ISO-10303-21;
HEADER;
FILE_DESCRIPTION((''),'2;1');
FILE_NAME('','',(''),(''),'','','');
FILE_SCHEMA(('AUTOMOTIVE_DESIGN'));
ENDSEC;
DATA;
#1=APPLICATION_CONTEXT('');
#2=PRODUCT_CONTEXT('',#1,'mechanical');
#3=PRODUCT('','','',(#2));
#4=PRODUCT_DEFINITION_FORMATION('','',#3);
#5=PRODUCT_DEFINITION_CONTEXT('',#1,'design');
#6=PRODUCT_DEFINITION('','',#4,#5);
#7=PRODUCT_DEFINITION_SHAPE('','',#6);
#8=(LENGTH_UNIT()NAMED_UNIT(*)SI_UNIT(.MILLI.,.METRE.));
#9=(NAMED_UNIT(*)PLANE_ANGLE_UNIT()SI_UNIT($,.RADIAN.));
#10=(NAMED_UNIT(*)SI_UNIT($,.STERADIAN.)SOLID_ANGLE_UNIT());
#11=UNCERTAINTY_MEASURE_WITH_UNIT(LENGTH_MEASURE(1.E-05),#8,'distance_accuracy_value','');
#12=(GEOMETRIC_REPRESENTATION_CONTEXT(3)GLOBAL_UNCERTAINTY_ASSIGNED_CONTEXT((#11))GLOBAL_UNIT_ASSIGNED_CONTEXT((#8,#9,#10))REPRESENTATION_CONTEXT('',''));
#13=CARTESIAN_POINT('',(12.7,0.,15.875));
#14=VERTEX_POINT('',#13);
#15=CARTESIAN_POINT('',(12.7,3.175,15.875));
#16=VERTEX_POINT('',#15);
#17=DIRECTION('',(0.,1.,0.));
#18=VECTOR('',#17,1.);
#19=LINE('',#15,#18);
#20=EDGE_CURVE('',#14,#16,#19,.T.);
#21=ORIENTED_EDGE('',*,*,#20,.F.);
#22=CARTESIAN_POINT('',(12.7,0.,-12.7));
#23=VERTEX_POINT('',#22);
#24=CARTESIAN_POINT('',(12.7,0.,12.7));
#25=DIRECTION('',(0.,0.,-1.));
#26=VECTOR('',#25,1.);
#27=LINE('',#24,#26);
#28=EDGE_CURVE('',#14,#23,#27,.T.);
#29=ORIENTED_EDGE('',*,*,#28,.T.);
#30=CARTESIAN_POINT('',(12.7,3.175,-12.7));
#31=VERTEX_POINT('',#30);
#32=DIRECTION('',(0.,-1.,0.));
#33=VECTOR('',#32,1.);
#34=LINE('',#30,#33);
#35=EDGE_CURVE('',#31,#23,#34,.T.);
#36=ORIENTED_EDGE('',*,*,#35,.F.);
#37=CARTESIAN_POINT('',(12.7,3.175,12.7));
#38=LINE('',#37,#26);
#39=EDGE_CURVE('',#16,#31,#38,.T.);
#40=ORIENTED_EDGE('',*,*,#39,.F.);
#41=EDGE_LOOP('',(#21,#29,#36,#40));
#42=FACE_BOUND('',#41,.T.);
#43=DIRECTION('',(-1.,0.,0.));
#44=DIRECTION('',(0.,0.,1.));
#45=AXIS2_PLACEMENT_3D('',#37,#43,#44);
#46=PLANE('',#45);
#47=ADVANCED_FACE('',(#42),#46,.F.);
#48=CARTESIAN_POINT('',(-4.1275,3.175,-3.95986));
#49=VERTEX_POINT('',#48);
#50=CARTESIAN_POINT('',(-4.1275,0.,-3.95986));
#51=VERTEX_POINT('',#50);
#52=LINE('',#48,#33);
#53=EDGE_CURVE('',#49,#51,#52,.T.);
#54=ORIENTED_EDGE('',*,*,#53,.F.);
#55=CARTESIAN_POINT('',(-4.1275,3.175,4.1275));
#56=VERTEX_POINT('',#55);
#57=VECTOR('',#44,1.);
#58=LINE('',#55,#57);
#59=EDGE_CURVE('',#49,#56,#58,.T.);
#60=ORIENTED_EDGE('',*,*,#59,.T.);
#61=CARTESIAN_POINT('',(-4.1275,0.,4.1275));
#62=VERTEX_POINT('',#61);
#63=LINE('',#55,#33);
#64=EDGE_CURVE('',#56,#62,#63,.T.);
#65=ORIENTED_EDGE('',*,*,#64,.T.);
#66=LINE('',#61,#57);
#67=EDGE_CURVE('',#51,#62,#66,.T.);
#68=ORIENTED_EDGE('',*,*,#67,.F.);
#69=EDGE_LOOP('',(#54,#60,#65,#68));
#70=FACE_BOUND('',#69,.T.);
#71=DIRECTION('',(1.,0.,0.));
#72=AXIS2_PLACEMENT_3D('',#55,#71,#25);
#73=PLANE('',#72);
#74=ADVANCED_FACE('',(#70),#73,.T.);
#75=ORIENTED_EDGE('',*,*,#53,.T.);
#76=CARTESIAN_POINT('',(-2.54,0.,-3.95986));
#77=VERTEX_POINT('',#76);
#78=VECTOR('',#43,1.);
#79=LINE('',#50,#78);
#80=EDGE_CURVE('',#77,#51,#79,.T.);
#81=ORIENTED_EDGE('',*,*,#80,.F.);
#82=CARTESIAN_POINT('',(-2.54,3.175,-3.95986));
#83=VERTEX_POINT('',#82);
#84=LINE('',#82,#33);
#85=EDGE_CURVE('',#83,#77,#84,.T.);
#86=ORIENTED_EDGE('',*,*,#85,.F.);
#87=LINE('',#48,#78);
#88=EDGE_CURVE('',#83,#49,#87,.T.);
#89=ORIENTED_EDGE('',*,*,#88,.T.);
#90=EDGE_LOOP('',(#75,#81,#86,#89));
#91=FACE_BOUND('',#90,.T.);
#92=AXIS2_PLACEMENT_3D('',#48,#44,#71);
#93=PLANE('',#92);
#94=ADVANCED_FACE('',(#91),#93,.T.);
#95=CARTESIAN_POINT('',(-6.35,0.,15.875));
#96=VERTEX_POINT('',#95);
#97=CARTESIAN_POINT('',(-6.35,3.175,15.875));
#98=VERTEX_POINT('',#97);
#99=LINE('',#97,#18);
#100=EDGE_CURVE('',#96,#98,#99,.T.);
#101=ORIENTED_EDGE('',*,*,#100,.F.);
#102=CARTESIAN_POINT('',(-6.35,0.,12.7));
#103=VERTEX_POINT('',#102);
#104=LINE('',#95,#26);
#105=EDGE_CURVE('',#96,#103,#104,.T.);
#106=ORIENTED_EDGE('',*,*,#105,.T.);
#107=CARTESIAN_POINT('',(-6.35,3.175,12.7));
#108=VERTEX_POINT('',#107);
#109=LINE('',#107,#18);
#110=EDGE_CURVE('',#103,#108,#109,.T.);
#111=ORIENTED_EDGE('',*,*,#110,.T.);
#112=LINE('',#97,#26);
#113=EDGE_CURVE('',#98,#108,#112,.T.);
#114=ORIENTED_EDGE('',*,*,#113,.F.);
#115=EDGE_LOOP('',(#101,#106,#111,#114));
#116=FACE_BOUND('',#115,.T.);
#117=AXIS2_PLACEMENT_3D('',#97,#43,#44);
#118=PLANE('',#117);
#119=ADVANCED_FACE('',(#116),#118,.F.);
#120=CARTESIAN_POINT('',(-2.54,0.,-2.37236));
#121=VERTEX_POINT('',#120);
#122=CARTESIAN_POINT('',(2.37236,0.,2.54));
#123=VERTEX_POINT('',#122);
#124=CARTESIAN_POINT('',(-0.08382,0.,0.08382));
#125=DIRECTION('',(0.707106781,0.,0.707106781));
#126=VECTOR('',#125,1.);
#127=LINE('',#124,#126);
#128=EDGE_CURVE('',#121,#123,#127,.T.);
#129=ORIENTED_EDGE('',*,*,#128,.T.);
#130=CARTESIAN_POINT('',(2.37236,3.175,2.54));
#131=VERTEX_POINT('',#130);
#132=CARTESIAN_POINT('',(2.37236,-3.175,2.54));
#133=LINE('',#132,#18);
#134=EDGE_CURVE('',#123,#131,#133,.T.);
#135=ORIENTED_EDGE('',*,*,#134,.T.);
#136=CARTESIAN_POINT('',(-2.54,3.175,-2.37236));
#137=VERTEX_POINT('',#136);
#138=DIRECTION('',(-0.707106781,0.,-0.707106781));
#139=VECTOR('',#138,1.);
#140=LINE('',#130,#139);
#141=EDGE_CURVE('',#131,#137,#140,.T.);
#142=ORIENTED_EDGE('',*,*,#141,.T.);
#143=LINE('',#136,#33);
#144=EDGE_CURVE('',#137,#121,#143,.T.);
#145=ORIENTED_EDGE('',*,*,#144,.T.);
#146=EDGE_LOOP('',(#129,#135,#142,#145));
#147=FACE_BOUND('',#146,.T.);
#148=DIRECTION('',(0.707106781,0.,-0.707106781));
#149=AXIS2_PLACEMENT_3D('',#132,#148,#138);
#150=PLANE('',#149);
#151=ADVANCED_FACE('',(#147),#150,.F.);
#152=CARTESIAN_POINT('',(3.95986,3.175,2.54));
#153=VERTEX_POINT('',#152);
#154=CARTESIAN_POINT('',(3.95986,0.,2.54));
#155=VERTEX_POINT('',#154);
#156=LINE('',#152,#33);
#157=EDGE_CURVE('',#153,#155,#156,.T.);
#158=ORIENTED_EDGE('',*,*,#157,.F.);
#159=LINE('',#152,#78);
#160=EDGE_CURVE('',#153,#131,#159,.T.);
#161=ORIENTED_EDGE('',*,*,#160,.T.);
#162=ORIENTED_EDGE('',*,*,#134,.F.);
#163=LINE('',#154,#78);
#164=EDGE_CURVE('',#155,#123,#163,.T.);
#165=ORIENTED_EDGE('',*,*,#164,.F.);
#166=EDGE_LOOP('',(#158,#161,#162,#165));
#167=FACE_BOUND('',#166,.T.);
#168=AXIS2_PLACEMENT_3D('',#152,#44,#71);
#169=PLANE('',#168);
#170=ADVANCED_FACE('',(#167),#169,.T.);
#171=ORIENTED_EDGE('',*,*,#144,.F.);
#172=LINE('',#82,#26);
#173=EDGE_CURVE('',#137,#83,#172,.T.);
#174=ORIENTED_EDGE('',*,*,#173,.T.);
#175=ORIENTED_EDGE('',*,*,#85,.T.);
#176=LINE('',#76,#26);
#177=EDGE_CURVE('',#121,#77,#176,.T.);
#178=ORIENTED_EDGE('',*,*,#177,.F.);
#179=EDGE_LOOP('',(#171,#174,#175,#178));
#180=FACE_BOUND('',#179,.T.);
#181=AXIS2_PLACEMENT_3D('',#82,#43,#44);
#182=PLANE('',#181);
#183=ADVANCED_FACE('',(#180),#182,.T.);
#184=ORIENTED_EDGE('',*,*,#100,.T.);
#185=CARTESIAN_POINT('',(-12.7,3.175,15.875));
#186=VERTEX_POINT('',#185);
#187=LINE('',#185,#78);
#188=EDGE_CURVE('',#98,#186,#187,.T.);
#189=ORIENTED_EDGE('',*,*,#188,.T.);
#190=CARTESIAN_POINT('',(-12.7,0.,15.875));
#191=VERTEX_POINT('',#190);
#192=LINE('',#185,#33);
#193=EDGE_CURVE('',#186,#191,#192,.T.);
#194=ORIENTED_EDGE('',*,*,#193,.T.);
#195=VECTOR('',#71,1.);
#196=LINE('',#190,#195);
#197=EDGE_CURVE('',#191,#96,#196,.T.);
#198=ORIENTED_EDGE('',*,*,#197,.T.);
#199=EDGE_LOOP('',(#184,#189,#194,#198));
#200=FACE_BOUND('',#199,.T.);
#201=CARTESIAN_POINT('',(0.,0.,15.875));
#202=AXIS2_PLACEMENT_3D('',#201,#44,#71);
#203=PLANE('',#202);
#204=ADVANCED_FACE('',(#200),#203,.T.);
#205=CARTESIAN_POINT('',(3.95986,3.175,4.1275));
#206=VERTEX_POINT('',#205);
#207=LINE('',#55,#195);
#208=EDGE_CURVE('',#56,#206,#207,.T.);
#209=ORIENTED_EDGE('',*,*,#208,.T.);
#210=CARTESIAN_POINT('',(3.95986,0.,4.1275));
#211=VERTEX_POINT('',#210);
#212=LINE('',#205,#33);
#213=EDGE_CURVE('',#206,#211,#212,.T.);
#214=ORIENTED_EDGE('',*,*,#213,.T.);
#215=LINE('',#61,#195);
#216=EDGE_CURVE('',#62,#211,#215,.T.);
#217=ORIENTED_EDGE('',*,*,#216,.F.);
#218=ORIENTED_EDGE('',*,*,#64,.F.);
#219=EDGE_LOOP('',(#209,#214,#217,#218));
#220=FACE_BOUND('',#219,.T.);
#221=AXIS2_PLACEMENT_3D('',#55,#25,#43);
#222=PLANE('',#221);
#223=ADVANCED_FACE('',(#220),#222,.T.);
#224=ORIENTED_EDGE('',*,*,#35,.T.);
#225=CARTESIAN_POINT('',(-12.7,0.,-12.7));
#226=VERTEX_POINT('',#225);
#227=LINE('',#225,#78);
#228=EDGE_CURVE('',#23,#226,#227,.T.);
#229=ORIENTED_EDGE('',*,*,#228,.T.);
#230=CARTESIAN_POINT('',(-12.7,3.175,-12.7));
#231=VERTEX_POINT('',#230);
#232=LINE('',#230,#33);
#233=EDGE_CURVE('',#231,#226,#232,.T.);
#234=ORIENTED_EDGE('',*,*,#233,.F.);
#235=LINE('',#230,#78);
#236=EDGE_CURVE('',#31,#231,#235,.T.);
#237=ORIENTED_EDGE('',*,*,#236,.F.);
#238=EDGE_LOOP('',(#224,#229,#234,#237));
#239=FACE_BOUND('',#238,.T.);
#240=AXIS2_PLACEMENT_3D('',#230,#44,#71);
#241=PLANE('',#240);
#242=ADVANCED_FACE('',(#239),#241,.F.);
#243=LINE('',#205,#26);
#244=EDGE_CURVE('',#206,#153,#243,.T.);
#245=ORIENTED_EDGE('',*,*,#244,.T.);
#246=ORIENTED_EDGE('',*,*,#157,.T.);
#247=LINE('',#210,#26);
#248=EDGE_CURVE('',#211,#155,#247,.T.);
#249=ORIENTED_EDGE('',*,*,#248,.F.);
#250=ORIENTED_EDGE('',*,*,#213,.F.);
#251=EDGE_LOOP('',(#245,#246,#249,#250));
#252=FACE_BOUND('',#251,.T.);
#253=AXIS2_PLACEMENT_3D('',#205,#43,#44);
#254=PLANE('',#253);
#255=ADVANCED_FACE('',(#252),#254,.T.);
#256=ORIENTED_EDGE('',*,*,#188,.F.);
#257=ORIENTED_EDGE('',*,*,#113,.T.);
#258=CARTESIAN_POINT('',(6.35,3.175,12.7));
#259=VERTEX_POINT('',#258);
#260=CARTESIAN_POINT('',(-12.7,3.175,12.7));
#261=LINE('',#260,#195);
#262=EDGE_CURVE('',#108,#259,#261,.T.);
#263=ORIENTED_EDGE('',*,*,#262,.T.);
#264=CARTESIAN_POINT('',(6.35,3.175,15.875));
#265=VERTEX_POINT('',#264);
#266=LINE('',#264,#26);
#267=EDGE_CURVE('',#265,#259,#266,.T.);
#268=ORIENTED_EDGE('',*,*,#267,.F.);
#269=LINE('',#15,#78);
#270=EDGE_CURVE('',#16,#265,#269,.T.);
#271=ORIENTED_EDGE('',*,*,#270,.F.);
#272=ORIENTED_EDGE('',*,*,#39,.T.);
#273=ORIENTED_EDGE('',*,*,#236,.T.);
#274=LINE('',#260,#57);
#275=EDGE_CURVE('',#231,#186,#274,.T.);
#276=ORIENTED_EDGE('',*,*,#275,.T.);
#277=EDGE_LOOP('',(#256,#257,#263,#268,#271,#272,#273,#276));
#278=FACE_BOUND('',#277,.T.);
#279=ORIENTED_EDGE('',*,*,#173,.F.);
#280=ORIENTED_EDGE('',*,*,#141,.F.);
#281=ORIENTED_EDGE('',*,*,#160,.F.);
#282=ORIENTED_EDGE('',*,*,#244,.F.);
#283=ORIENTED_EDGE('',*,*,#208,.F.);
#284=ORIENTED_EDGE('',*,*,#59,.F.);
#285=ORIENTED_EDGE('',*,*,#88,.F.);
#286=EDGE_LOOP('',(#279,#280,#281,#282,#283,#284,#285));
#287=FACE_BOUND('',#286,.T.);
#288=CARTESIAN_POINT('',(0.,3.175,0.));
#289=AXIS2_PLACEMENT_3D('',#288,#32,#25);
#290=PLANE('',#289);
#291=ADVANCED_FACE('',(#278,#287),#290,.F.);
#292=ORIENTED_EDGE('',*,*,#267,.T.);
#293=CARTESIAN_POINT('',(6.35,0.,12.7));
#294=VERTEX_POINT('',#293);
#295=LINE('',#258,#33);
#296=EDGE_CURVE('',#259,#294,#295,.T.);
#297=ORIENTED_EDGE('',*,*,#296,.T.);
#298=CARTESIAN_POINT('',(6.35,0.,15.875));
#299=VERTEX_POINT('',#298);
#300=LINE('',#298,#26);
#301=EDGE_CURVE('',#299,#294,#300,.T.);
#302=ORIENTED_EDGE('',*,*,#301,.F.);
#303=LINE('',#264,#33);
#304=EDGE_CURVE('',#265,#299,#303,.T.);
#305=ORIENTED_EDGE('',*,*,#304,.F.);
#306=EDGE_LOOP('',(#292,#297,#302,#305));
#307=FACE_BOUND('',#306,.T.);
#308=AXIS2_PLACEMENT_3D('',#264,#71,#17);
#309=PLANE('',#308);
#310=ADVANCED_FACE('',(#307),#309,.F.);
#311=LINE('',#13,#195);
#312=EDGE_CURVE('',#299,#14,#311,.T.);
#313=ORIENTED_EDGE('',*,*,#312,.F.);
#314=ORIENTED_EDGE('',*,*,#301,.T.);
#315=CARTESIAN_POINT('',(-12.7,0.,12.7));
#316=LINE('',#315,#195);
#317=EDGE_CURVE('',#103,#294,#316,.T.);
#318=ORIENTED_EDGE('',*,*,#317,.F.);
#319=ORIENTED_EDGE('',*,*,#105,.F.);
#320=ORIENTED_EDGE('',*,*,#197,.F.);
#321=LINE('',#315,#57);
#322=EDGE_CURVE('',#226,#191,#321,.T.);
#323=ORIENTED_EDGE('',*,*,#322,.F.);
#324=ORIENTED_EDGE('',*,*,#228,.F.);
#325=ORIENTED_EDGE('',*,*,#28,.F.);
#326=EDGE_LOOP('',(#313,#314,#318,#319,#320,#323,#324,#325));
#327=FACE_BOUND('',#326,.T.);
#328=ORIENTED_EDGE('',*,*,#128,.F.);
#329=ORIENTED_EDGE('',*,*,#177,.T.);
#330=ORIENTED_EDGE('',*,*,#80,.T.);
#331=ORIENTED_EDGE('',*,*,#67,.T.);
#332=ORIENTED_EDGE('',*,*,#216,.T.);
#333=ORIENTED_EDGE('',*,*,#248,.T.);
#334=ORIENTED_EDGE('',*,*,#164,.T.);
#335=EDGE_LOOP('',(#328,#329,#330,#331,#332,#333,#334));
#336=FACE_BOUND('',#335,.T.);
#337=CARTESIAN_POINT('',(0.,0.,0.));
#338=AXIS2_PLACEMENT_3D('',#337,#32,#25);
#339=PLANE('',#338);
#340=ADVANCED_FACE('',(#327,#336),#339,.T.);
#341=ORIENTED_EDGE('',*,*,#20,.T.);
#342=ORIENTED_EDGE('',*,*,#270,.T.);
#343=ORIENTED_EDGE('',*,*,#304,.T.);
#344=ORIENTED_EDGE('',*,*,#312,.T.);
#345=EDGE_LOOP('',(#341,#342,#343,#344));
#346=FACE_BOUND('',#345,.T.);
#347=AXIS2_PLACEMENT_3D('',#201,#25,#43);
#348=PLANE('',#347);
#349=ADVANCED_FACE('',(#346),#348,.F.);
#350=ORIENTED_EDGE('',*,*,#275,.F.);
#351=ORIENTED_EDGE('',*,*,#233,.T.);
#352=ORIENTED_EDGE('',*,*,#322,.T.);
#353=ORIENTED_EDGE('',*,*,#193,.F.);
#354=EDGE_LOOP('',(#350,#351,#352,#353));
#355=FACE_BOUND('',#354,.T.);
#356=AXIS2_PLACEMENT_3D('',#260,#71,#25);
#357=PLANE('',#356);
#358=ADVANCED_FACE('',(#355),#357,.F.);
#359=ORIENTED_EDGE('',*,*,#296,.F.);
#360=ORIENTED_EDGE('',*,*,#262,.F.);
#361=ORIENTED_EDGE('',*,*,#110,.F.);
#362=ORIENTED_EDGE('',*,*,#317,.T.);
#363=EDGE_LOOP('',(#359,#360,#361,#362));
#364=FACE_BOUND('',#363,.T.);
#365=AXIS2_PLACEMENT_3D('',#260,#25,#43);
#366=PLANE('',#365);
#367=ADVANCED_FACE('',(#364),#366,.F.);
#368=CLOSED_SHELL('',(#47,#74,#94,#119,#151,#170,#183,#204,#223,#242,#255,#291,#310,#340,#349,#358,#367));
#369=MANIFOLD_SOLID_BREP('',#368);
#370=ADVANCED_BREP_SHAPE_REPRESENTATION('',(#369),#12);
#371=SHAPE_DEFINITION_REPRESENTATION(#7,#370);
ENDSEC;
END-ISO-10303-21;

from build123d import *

# Parameters (mm, degrees)
SKETCH1_W           = 25.4
SKETCH1_H           = 25.4
BOSS_EXTRUDE1_DEPTH = 3.175
SKETCH2_W           = 6.35
SKETCH2_H           = 3.175
BOSS_EXTRUDE2_DEPTH = 3.175
CUT_EXTRUDE1_DEPTH  = 6.35


with BuildPart() as part:
    # Sketch1 → Boss-Extrude1 (new body)
    with BuildSketch(Plane(origin=(0, 0, 0), x_dir=(1, 0, 0), z_dir=(0, 1, 0))):
        Rectangle(SKETCH1_W, SKETCH1_H)
        Polygon((-4.1275, -4.1275), (-4.1275, 3.95986), (-2.54, 3.95986), (-2.54, -2.54), (3.95986, -2.54), (3.95986, -4.1275), align=None, mode=Mode.SUBTRACT)
    extrude(amount=BOSS_EXTRUDE1_DEPTH)

    # Sketch2 → Boss-Extrude2 (add)
    with BuildSketch(Plane.XY.offset(12.7)):
        with Locations((-9.525, 1.5875)):
            Rectangle(SKETCH2_W, SKETCH2_H)
        with Locations((9.525, 1.5875)):
            Rectangle(SKETCH2_W, SKETCH2_H)
    extrude(amount=BOSS_EXTRUDE2_DEPTH)

    # Sketch3 → Cut-Extrude1 (cut)
    with BuildSketch(Plane(origin=(0, 3.175, 0), x_dir=(1, 0, 0), z_dir=(0, 1, 0))):
        Polygon((-2.54, 2.37236), (-2.54, -2.54), (2.37236, -2.54), align=None)
    extrude(amount=-CUT_EXTRUDE1_DEPTH, mode=Mode.SUBTRACT)


solid = part.part
